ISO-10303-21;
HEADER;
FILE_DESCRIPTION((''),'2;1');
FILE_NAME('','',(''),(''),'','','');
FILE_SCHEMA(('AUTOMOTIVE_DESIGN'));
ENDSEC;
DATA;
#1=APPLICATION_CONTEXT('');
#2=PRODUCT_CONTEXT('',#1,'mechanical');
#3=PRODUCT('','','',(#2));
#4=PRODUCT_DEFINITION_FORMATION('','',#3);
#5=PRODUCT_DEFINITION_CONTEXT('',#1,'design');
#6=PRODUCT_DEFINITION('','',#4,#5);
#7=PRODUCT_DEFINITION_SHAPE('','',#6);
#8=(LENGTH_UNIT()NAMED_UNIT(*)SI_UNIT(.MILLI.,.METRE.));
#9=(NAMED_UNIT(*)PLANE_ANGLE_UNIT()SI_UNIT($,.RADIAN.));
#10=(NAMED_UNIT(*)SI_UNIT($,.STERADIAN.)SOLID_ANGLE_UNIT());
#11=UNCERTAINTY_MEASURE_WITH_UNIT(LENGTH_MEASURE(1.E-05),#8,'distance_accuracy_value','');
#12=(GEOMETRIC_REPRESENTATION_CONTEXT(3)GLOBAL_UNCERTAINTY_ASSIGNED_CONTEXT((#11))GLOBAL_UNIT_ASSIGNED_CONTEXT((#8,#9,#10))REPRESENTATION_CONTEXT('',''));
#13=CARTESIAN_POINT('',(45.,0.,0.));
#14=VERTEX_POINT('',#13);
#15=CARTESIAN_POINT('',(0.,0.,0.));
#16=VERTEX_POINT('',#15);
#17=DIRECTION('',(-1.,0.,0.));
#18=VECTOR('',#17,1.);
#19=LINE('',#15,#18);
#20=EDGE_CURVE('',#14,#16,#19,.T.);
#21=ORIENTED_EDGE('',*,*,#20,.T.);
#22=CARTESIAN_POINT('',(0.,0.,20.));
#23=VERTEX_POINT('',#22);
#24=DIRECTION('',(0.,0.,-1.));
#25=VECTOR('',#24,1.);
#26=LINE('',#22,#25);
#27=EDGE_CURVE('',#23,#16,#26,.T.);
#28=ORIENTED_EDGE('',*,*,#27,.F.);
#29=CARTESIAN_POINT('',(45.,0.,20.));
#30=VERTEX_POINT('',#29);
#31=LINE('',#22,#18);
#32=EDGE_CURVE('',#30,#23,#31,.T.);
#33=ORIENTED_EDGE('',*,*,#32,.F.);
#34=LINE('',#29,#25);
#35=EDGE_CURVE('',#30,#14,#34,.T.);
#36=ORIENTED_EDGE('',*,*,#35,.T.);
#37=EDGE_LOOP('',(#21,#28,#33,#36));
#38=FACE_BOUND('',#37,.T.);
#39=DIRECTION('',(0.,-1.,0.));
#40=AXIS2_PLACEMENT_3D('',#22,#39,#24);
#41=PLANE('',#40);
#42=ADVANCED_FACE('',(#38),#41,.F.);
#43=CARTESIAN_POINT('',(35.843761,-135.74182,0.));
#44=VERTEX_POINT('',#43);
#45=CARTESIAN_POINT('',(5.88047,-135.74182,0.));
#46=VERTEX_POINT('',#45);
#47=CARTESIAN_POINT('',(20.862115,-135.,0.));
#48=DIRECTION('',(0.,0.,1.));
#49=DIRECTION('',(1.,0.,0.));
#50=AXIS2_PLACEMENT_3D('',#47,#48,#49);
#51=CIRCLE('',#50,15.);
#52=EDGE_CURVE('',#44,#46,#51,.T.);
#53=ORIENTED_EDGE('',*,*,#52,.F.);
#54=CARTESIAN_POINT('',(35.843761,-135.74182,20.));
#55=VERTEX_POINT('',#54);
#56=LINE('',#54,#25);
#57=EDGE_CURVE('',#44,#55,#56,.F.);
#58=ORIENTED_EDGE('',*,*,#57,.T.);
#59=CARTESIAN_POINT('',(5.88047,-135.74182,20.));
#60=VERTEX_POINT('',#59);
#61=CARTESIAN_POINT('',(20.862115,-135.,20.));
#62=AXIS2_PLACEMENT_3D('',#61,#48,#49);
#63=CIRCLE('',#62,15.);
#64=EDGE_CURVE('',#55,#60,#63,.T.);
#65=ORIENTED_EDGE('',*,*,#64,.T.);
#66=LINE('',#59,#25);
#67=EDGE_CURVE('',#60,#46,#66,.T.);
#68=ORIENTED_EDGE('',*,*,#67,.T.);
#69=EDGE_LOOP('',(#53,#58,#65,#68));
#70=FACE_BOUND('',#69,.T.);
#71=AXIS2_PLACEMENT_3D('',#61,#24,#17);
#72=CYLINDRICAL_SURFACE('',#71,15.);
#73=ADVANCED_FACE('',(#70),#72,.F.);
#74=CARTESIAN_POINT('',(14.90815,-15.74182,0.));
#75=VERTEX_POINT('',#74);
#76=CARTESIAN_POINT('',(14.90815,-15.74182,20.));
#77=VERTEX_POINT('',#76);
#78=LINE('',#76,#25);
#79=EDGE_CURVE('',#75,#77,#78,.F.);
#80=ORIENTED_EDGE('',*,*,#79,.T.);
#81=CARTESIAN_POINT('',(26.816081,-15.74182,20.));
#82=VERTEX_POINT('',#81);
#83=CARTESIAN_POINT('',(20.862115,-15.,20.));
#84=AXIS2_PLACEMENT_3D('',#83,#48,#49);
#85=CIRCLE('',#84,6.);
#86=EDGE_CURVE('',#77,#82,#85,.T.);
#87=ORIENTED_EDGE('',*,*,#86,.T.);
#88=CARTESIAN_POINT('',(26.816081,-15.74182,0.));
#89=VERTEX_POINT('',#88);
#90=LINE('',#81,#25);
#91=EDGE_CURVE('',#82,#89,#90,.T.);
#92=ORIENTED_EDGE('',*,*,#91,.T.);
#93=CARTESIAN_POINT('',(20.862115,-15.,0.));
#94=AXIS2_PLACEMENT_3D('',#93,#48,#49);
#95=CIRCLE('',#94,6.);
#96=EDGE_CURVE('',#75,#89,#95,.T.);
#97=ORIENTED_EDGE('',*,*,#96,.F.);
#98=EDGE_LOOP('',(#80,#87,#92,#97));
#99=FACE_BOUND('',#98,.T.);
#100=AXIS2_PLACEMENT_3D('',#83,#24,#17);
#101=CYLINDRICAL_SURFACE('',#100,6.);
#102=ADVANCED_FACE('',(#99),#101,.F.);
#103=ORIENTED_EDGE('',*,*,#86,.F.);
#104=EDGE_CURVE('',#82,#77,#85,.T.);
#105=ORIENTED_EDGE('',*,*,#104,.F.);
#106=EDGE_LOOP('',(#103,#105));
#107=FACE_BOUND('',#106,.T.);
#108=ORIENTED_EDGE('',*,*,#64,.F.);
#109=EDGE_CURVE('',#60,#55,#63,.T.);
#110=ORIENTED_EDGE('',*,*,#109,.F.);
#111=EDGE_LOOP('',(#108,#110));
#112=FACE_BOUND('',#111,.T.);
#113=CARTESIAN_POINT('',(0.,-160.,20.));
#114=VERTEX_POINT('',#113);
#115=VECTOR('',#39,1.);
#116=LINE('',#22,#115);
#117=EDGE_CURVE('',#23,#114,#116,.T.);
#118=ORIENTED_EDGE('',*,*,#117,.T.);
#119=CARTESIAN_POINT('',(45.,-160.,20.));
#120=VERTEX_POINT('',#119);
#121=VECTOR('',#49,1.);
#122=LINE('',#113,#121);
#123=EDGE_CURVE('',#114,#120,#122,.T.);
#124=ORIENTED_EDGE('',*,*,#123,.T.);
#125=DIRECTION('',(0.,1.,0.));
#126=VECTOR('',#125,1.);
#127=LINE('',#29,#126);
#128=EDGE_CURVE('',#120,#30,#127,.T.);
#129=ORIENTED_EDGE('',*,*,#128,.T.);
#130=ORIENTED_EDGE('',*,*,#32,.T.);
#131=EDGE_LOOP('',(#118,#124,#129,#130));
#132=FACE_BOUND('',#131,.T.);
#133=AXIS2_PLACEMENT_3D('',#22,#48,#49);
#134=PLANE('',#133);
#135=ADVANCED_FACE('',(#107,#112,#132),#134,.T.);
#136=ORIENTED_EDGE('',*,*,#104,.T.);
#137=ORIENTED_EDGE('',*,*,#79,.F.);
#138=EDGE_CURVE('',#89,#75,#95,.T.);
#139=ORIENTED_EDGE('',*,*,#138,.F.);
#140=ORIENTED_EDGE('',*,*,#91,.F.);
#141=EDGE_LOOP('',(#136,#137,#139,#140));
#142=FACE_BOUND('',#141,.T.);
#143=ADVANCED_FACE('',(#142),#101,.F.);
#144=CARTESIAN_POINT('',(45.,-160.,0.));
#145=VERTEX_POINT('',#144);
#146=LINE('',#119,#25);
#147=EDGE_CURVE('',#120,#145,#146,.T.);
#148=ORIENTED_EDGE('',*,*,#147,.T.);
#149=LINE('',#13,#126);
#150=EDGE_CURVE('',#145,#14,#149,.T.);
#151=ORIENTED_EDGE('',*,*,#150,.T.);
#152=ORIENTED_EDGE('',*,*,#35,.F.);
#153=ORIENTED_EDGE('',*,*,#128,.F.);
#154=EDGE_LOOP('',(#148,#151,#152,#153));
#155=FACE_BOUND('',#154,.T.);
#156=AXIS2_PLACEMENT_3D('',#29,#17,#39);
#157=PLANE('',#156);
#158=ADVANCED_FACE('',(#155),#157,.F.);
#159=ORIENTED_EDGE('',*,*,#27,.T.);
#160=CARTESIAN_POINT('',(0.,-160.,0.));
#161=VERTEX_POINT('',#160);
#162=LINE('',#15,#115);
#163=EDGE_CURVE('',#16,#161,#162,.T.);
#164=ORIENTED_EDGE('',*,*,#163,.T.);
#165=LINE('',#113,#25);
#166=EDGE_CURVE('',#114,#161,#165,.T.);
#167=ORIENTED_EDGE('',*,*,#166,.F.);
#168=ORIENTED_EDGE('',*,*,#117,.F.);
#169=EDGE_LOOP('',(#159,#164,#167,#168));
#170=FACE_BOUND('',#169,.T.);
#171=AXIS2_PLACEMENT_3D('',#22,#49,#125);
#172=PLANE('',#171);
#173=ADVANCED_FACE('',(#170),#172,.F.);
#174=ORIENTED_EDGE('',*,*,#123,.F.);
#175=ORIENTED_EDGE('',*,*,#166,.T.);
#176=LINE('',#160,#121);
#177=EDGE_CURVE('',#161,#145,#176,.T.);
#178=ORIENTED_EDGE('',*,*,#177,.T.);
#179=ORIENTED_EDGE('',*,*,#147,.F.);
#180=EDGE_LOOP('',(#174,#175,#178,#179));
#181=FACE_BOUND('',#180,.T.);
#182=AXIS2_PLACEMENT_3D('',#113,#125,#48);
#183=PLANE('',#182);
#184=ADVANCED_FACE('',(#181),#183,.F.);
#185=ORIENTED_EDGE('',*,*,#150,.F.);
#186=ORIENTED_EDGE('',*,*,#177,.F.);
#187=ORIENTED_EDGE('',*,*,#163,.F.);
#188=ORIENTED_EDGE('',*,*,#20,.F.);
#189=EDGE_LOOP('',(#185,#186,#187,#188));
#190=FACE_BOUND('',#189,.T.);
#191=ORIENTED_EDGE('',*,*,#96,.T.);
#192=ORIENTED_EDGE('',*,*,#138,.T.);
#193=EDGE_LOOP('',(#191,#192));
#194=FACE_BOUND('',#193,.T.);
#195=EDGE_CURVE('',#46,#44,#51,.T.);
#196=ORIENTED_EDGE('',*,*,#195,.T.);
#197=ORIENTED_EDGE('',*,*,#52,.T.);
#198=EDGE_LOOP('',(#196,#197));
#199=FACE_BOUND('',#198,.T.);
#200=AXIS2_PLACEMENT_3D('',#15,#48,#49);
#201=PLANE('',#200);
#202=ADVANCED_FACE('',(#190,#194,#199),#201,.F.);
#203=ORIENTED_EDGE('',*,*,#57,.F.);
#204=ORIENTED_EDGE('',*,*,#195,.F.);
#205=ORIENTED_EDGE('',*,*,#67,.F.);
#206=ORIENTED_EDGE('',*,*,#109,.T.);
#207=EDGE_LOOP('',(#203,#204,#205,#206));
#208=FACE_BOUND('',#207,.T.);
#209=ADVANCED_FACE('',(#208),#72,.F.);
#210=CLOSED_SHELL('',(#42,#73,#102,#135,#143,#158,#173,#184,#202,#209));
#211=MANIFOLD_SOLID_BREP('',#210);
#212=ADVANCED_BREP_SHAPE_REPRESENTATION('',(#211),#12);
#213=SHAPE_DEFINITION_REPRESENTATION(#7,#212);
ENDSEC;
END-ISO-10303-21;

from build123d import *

# Parameters (mm, degrees)
SZKIC1_W                    = 45
SZKIC1_H                    = 160
SZKIC1_R                    = 6
SZKIC1_R_2                  = 15
DODANIE_WYCI_GNI_CIE1_DEPTH = 20


with BuildPart() as part:
    # Szkic1 → Dodanie-wyciągnięcie1 (new body)
    with BuildSketch(Plane.XY):
        with Locations((22.5, -80)):
            Rectangle(SZKIC1_W, SZKIC1_H)
        with Locations((20.862115209, -15)):
            Circle(SZKIC1_R, mode=Mode.SUBTRACT)
        with Locations((20.862115209, -135)):
            Circle(SZKIC1_R_2, mode=Mode.SUBTRACT)
    extrude(amount=DODANIE_WYCI_GNI_CIE1_DEPTH)


solid = part.part
